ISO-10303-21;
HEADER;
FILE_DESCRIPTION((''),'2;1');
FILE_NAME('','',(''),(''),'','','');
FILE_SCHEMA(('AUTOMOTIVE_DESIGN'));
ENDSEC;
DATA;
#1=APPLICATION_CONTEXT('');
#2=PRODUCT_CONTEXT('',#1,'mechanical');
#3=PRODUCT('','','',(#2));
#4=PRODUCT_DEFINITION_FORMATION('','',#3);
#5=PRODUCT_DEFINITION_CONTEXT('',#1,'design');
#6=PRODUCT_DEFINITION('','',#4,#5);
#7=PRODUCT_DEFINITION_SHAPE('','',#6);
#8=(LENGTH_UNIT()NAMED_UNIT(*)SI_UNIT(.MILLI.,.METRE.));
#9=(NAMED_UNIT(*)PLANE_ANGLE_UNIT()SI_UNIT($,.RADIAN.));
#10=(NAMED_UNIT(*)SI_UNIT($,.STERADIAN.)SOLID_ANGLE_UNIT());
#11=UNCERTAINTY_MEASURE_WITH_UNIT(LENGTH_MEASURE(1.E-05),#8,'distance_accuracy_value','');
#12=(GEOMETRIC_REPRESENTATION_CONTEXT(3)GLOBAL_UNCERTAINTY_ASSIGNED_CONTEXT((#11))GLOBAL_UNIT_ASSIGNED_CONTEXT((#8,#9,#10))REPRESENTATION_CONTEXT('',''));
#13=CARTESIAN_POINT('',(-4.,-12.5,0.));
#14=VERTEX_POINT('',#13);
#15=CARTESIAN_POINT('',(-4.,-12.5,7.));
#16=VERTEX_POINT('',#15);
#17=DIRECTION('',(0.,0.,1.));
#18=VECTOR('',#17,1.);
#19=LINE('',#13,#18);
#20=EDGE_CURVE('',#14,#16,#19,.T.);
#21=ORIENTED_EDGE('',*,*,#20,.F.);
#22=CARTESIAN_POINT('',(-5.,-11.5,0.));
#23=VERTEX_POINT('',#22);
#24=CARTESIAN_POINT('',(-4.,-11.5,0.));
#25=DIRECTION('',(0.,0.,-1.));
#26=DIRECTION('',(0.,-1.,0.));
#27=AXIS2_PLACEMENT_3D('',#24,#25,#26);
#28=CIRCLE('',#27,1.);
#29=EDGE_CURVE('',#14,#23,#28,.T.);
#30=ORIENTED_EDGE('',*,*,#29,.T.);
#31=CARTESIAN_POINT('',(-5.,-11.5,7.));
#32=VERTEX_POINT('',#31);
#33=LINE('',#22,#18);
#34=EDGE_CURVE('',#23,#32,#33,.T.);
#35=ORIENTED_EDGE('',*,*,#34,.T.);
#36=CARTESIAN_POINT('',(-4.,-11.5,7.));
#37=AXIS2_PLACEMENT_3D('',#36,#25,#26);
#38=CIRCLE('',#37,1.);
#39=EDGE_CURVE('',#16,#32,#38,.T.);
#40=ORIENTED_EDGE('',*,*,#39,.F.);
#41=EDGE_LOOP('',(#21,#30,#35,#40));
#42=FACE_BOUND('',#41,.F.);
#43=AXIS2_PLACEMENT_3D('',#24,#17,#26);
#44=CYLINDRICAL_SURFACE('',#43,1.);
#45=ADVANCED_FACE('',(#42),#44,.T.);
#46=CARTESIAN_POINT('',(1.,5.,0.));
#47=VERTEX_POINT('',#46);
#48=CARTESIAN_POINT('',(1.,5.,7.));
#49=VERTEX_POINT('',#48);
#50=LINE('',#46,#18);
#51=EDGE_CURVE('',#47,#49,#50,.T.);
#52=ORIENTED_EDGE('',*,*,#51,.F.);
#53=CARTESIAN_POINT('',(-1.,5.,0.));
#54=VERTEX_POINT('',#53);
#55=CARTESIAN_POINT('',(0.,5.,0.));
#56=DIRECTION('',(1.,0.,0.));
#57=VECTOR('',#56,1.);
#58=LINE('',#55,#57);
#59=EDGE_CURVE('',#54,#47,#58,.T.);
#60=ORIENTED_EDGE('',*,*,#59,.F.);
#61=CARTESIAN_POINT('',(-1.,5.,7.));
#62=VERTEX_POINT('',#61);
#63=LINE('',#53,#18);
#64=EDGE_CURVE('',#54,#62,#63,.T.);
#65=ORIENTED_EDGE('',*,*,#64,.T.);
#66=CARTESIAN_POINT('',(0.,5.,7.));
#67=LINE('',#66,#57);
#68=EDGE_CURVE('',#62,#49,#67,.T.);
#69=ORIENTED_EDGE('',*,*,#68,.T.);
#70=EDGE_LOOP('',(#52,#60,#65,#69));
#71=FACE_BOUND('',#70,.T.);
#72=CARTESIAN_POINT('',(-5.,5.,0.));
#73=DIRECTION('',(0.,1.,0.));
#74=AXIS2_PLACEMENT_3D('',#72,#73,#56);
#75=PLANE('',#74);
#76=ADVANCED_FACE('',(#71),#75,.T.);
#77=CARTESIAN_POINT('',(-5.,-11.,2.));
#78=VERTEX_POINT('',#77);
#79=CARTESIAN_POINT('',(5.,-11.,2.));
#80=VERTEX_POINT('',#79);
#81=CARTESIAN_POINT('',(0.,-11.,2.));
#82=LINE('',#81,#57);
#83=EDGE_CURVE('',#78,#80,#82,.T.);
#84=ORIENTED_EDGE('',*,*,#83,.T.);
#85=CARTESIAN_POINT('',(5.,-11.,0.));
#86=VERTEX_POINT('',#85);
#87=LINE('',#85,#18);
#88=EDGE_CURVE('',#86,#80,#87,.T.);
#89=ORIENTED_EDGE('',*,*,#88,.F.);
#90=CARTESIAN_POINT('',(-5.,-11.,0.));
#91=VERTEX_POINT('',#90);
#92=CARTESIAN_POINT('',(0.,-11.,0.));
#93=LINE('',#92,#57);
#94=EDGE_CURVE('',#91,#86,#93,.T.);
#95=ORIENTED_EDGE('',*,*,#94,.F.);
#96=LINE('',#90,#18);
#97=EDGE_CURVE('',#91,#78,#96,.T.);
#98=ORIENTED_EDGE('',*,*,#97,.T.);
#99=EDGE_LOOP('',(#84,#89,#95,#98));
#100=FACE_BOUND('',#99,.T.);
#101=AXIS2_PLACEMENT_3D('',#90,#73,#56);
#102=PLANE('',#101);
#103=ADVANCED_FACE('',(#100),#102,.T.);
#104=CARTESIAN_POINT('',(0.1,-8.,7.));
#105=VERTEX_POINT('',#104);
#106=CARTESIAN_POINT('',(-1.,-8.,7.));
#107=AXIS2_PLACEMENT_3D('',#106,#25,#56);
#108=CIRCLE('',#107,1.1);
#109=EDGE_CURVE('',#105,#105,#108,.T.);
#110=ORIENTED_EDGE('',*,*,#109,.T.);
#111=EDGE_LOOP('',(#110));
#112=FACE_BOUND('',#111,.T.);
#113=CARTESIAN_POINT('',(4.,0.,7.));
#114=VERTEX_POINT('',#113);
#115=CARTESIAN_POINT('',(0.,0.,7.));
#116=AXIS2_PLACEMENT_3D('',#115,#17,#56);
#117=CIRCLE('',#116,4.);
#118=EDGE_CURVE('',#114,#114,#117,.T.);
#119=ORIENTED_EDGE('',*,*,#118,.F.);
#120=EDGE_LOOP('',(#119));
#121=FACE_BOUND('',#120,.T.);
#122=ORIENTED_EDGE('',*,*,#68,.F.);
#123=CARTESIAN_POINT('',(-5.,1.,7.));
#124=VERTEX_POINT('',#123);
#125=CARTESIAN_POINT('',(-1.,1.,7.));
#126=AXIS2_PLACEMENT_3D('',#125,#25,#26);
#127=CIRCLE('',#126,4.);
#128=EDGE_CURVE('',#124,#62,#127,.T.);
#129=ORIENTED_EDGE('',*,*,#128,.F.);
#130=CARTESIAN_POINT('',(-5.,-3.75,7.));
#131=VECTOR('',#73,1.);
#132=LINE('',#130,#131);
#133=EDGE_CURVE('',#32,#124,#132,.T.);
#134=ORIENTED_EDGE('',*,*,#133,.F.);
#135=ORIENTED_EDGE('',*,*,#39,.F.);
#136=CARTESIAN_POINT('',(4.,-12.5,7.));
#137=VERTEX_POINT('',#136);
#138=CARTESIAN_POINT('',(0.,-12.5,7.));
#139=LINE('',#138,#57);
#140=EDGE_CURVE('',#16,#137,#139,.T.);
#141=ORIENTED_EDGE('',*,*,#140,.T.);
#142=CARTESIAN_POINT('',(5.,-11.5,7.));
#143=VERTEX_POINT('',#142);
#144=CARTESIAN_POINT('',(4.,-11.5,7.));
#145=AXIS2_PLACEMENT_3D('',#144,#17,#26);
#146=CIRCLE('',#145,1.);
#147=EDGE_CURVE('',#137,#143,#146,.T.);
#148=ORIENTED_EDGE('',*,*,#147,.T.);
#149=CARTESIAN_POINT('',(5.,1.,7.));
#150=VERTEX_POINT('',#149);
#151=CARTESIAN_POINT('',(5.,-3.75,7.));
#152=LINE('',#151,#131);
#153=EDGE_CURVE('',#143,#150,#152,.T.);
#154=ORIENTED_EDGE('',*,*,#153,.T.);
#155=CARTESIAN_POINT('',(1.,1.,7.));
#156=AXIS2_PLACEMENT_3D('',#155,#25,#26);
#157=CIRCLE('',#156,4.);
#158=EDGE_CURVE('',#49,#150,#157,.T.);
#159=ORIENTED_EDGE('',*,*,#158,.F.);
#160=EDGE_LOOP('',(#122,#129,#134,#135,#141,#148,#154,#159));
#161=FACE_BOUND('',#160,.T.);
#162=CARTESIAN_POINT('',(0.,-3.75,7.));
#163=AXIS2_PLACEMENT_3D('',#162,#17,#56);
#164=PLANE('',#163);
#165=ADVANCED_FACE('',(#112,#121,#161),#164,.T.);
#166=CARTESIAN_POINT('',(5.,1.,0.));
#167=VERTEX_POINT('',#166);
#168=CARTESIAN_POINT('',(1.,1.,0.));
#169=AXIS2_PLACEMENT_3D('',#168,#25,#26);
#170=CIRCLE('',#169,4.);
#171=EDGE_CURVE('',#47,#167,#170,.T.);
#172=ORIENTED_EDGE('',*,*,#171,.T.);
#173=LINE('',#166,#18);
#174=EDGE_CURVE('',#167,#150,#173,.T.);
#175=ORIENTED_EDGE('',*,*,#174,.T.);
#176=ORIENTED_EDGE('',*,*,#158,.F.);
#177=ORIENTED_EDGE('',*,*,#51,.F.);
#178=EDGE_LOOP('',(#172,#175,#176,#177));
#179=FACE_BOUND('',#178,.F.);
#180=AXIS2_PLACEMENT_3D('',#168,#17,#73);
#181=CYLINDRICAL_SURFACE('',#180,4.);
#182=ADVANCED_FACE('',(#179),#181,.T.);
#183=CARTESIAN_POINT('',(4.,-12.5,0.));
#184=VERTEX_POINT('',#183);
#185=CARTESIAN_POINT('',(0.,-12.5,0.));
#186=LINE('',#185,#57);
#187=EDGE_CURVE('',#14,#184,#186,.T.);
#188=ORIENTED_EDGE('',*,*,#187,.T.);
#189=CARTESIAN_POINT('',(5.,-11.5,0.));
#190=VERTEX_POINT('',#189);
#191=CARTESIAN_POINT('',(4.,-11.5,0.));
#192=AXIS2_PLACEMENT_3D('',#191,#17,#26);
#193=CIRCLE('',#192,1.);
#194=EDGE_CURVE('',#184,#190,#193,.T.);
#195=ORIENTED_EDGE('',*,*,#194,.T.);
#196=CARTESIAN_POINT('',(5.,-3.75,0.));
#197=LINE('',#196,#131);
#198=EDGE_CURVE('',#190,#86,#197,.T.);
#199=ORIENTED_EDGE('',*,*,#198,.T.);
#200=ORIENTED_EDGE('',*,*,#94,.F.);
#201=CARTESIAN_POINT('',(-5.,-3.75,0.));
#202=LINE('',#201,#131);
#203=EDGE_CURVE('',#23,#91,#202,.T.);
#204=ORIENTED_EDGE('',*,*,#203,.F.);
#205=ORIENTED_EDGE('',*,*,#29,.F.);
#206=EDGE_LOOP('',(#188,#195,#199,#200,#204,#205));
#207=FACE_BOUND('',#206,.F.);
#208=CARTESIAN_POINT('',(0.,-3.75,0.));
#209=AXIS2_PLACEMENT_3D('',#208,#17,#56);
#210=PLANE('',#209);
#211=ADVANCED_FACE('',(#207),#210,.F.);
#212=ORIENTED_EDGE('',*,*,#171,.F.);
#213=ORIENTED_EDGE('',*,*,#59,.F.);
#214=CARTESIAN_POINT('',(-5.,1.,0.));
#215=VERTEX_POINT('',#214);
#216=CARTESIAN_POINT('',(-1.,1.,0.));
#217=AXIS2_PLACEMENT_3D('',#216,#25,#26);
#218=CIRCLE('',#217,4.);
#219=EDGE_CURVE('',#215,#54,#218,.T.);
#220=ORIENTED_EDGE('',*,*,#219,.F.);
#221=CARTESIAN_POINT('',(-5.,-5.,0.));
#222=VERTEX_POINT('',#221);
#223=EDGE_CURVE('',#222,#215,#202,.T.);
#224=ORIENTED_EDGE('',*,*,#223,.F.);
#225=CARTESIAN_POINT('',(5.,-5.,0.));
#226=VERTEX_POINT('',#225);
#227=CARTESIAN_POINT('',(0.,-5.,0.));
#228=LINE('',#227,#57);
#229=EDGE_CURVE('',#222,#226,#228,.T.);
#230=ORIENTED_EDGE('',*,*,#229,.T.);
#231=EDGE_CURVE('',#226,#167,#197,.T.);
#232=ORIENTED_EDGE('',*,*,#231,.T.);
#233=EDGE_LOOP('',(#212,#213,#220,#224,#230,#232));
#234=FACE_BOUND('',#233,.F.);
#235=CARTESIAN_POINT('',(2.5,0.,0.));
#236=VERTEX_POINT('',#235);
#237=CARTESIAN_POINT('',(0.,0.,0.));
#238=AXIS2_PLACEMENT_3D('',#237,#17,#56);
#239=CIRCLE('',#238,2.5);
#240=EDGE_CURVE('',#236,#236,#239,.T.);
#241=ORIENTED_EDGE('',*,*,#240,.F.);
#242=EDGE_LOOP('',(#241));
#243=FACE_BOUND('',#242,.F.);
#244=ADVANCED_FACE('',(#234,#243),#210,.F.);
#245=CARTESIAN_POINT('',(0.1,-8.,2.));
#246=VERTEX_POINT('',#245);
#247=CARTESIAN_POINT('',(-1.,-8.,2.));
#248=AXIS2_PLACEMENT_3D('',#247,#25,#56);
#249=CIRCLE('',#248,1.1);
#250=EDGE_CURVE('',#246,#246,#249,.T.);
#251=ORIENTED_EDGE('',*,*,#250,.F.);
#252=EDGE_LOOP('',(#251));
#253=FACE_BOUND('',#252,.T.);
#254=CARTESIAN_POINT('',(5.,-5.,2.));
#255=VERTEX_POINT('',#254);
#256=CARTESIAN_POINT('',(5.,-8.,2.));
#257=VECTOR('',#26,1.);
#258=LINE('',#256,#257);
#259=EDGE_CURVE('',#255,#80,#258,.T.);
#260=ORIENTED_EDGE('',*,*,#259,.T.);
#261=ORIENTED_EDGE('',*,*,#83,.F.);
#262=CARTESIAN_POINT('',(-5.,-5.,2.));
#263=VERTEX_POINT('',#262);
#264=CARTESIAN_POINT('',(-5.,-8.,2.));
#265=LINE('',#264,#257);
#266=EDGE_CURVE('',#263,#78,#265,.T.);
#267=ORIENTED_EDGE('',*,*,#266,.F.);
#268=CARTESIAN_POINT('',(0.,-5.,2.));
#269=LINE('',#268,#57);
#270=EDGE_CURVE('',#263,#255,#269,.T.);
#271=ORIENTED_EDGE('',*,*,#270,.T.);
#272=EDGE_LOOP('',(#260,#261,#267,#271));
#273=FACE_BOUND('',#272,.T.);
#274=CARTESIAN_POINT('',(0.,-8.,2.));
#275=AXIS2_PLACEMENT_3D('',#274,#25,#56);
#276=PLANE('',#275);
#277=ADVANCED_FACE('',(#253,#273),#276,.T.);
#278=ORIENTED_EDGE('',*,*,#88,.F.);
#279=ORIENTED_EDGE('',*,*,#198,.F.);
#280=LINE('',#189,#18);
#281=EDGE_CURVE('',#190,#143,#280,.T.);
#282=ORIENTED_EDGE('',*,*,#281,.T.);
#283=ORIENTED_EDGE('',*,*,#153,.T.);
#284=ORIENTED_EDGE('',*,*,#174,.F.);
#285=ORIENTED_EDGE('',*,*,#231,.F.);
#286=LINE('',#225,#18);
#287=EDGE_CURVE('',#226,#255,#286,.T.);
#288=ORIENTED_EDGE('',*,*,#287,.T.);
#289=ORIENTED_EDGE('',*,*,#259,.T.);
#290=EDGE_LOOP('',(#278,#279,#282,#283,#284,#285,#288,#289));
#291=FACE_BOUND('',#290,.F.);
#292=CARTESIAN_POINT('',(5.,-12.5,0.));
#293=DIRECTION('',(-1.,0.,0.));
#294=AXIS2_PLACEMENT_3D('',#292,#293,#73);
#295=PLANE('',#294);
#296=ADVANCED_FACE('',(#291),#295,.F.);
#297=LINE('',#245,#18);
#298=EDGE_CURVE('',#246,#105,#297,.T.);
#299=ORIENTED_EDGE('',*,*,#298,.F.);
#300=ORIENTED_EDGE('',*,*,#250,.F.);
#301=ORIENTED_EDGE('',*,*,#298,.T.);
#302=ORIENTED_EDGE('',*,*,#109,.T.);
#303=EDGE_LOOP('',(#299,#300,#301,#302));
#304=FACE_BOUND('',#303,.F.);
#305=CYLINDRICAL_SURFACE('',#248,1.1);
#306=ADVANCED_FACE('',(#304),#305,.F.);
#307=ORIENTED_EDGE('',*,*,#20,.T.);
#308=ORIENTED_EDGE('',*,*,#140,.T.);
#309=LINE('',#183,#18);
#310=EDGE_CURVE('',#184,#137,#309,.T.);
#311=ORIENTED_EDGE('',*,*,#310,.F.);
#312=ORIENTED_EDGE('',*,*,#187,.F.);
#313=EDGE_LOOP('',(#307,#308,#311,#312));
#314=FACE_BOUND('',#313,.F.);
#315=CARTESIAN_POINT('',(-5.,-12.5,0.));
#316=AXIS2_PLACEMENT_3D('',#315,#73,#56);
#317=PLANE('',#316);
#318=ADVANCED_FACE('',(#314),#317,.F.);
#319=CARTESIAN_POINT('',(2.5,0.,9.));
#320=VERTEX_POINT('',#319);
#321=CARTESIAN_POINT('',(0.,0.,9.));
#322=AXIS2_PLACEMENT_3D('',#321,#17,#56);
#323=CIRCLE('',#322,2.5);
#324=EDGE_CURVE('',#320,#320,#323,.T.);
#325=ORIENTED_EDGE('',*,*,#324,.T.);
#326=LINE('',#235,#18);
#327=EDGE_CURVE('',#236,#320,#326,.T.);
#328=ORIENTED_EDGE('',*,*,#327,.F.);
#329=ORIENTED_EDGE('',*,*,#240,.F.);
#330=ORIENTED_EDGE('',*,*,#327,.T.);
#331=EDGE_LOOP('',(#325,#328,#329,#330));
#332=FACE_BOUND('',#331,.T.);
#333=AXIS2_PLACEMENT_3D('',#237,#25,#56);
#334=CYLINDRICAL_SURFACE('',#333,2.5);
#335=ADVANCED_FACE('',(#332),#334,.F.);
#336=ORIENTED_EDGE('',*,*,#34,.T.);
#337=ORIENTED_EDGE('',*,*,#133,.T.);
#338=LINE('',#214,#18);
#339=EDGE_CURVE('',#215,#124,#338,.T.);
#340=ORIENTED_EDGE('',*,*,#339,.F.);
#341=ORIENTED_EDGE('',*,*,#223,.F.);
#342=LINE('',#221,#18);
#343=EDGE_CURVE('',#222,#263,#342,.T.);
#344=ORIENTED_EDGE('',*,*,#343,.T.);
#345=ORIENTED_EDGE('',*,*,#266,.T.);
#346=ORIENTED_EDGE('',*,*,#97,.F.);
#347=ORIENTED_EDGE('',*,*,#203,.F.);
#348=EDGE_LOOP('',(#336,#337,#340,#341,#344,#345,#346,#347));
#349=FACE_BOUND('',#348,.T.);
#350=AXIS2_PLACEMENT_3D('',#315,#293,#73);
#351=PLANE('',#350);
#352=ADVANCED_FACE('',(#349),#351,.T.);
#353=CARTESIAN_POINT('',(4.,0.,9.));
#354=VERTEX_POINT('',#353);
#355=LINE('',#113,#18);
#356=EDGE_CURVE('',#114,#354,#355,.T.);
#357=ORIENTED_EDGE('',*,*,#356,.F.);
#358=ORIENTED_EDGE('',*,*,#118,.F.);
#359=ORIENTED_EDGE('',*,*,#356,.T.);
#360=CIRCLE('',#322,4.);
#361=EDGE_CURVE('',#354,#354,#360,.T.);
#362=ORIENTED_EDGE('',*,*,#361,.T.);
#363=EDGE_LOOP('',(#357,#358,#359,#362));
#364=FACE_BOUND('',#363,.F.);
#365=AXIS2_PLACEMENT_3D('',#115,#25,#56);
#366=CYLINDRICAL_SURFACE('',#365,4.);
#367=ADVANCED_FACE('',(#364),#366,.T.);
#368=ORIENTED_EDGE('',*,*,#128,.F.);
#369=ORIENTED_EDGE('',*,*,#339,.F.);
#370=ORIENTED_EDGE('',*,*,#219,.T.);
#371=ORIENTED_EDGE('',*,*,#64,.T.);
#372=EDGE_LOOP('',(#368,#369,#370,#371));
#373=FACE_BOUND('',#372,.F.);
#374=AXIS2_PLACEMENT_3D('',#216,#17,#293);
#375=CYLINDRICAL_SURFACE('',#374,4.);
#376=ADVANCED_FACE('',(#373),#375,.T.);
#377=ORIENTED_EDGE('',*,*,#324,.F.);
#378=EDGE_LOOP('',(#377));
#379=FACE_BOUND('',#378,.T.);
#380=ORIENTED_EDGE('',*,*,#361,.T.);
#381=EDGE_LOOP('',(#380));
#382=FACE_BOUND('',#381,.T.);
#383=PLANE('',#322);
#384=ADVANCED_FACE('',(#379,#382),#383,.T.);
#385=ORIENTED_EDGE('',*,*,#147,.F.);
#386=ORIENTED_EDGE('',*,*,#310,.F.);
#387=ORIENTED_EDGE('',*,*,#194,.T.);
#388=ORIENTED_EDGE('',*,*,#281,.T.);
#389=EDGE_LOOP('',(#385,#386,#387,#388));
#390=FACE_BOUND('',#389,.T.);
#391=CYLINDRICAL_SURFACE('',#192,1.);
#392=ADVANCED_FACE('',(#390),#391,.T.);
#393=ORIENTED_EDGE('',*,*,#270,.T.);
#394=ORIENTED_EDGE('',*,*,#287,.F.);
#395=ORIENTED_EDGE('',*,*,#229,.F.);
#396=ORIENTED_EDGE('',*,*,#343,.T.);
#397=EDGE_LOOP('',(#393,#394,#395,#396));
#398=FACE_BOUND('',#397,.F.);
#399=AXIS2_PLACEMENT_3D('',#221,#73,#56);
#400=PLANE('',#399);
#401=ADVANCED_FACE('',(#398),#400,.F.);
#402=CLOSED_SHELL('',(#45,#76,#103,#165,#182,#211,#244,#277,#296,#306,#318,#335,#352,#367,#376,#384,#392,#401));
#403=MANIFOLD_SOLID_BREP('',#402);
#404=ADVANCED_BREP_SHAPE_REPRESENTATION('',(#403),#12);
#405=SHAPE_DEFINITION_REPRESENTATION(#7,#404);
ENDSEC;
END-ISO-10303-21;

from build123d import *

# Parameters (mm, degrees)
SKETCH_W        = 10
SKETCH_H        = 17.5
SKETCH_R        = 2.5
PAD_DEPTH       = 7
SKETCH001_W     = 10
SKETCH001_H     = 6
POCKET_DEPTH    = 2
SKETCH002_R     = 1.1
POCKET001_DEPTH = 5.001
SKETCH003_R     = 4
PAD001_DEPTH    = 2
SKETCH004_R     = 2.5
POCKET002_DEPTH = 5
FILLET_R        = 4
FILLET001_R     = 1
FILLET002_R     = 1


with BuildPart() as part:
    # Sketch → Pad (new body)
    with BuildSketch(Plane.XY):
        with Locations((0, -3.75)):
            Rectangle(SKETCH_W, SKETCH_H)
        Circle(SKETCH_R, mode=Mode.SUBTRACT)
    extrude(amount=PAD_DEPTH)

    # Sketch001 (on Face6 of Pad) → Pocket (cut)
    with BuildSketch(Plane(origin=(0, 0, 0), x_dir=(1, 0, 0), z_dir=(0, 0, -1))):
        with Locations((0, 8)):
            Rectangle(SKETCH001_W, SKETCH001_H)
    extrude(amount=-POCKET_DEPTH, mode=Mode.SUBTRACT)

    # Sketch002 (on Face7 of Pocket) → Pocket001 (cut, through all)
    with BuildSketch(Plane(origin=(0, 0, 2), x_dir=(1, 0, 0), z_dir=(0, 0, -1))):
        with Locations((-1, 8)):
            Circle(SKETCH002_R)
    extrude(amount=-POCKET001_DEPTH, mode=Mode.SUBTRACT)

    # Sketch003 (on Face7 of Pad) → Pad001 (join)
    with BuildSketch(Plane.XY.offset(7)):
        Circle(SKETCH003_R)
    extrude(amount=PAD001_DEPTH)

    # Sketch004 (on Face15 of Pad001) → Pocket002 (cut)
    with BuildSketch(Plane.XY.offset(9)):
        Circle(SKETCH004_R)
    extrude(amount=-POCKET002_DEPTH, mode=Mode.SUBTRACT)

    # Fillet
    fillet_edges = [part.edges().sort_by_distance(p)[0] for p in [
        (5, 5, 3.5),
        (-5, 5, 3.5),
    ]]
    fillet(fillet_edges, radius=FILLET_R)

    # Fillet001
    fillet001_edges = [part.edges().sort_by_distance(p)[0] for p in [
        (-5, -12.5, 3.5),
    ]]
    fillet(fillet001_edges, radius=FILLET001_R)

    # Fillet002
    fillet002_edges = [part.edges().sort_by_distance(p)[0] for p in [
        (5, -12.5, 3.5),
    ]]
    fillet(fillet002_edges, radius=FILLET002_R)


solid = part.part
